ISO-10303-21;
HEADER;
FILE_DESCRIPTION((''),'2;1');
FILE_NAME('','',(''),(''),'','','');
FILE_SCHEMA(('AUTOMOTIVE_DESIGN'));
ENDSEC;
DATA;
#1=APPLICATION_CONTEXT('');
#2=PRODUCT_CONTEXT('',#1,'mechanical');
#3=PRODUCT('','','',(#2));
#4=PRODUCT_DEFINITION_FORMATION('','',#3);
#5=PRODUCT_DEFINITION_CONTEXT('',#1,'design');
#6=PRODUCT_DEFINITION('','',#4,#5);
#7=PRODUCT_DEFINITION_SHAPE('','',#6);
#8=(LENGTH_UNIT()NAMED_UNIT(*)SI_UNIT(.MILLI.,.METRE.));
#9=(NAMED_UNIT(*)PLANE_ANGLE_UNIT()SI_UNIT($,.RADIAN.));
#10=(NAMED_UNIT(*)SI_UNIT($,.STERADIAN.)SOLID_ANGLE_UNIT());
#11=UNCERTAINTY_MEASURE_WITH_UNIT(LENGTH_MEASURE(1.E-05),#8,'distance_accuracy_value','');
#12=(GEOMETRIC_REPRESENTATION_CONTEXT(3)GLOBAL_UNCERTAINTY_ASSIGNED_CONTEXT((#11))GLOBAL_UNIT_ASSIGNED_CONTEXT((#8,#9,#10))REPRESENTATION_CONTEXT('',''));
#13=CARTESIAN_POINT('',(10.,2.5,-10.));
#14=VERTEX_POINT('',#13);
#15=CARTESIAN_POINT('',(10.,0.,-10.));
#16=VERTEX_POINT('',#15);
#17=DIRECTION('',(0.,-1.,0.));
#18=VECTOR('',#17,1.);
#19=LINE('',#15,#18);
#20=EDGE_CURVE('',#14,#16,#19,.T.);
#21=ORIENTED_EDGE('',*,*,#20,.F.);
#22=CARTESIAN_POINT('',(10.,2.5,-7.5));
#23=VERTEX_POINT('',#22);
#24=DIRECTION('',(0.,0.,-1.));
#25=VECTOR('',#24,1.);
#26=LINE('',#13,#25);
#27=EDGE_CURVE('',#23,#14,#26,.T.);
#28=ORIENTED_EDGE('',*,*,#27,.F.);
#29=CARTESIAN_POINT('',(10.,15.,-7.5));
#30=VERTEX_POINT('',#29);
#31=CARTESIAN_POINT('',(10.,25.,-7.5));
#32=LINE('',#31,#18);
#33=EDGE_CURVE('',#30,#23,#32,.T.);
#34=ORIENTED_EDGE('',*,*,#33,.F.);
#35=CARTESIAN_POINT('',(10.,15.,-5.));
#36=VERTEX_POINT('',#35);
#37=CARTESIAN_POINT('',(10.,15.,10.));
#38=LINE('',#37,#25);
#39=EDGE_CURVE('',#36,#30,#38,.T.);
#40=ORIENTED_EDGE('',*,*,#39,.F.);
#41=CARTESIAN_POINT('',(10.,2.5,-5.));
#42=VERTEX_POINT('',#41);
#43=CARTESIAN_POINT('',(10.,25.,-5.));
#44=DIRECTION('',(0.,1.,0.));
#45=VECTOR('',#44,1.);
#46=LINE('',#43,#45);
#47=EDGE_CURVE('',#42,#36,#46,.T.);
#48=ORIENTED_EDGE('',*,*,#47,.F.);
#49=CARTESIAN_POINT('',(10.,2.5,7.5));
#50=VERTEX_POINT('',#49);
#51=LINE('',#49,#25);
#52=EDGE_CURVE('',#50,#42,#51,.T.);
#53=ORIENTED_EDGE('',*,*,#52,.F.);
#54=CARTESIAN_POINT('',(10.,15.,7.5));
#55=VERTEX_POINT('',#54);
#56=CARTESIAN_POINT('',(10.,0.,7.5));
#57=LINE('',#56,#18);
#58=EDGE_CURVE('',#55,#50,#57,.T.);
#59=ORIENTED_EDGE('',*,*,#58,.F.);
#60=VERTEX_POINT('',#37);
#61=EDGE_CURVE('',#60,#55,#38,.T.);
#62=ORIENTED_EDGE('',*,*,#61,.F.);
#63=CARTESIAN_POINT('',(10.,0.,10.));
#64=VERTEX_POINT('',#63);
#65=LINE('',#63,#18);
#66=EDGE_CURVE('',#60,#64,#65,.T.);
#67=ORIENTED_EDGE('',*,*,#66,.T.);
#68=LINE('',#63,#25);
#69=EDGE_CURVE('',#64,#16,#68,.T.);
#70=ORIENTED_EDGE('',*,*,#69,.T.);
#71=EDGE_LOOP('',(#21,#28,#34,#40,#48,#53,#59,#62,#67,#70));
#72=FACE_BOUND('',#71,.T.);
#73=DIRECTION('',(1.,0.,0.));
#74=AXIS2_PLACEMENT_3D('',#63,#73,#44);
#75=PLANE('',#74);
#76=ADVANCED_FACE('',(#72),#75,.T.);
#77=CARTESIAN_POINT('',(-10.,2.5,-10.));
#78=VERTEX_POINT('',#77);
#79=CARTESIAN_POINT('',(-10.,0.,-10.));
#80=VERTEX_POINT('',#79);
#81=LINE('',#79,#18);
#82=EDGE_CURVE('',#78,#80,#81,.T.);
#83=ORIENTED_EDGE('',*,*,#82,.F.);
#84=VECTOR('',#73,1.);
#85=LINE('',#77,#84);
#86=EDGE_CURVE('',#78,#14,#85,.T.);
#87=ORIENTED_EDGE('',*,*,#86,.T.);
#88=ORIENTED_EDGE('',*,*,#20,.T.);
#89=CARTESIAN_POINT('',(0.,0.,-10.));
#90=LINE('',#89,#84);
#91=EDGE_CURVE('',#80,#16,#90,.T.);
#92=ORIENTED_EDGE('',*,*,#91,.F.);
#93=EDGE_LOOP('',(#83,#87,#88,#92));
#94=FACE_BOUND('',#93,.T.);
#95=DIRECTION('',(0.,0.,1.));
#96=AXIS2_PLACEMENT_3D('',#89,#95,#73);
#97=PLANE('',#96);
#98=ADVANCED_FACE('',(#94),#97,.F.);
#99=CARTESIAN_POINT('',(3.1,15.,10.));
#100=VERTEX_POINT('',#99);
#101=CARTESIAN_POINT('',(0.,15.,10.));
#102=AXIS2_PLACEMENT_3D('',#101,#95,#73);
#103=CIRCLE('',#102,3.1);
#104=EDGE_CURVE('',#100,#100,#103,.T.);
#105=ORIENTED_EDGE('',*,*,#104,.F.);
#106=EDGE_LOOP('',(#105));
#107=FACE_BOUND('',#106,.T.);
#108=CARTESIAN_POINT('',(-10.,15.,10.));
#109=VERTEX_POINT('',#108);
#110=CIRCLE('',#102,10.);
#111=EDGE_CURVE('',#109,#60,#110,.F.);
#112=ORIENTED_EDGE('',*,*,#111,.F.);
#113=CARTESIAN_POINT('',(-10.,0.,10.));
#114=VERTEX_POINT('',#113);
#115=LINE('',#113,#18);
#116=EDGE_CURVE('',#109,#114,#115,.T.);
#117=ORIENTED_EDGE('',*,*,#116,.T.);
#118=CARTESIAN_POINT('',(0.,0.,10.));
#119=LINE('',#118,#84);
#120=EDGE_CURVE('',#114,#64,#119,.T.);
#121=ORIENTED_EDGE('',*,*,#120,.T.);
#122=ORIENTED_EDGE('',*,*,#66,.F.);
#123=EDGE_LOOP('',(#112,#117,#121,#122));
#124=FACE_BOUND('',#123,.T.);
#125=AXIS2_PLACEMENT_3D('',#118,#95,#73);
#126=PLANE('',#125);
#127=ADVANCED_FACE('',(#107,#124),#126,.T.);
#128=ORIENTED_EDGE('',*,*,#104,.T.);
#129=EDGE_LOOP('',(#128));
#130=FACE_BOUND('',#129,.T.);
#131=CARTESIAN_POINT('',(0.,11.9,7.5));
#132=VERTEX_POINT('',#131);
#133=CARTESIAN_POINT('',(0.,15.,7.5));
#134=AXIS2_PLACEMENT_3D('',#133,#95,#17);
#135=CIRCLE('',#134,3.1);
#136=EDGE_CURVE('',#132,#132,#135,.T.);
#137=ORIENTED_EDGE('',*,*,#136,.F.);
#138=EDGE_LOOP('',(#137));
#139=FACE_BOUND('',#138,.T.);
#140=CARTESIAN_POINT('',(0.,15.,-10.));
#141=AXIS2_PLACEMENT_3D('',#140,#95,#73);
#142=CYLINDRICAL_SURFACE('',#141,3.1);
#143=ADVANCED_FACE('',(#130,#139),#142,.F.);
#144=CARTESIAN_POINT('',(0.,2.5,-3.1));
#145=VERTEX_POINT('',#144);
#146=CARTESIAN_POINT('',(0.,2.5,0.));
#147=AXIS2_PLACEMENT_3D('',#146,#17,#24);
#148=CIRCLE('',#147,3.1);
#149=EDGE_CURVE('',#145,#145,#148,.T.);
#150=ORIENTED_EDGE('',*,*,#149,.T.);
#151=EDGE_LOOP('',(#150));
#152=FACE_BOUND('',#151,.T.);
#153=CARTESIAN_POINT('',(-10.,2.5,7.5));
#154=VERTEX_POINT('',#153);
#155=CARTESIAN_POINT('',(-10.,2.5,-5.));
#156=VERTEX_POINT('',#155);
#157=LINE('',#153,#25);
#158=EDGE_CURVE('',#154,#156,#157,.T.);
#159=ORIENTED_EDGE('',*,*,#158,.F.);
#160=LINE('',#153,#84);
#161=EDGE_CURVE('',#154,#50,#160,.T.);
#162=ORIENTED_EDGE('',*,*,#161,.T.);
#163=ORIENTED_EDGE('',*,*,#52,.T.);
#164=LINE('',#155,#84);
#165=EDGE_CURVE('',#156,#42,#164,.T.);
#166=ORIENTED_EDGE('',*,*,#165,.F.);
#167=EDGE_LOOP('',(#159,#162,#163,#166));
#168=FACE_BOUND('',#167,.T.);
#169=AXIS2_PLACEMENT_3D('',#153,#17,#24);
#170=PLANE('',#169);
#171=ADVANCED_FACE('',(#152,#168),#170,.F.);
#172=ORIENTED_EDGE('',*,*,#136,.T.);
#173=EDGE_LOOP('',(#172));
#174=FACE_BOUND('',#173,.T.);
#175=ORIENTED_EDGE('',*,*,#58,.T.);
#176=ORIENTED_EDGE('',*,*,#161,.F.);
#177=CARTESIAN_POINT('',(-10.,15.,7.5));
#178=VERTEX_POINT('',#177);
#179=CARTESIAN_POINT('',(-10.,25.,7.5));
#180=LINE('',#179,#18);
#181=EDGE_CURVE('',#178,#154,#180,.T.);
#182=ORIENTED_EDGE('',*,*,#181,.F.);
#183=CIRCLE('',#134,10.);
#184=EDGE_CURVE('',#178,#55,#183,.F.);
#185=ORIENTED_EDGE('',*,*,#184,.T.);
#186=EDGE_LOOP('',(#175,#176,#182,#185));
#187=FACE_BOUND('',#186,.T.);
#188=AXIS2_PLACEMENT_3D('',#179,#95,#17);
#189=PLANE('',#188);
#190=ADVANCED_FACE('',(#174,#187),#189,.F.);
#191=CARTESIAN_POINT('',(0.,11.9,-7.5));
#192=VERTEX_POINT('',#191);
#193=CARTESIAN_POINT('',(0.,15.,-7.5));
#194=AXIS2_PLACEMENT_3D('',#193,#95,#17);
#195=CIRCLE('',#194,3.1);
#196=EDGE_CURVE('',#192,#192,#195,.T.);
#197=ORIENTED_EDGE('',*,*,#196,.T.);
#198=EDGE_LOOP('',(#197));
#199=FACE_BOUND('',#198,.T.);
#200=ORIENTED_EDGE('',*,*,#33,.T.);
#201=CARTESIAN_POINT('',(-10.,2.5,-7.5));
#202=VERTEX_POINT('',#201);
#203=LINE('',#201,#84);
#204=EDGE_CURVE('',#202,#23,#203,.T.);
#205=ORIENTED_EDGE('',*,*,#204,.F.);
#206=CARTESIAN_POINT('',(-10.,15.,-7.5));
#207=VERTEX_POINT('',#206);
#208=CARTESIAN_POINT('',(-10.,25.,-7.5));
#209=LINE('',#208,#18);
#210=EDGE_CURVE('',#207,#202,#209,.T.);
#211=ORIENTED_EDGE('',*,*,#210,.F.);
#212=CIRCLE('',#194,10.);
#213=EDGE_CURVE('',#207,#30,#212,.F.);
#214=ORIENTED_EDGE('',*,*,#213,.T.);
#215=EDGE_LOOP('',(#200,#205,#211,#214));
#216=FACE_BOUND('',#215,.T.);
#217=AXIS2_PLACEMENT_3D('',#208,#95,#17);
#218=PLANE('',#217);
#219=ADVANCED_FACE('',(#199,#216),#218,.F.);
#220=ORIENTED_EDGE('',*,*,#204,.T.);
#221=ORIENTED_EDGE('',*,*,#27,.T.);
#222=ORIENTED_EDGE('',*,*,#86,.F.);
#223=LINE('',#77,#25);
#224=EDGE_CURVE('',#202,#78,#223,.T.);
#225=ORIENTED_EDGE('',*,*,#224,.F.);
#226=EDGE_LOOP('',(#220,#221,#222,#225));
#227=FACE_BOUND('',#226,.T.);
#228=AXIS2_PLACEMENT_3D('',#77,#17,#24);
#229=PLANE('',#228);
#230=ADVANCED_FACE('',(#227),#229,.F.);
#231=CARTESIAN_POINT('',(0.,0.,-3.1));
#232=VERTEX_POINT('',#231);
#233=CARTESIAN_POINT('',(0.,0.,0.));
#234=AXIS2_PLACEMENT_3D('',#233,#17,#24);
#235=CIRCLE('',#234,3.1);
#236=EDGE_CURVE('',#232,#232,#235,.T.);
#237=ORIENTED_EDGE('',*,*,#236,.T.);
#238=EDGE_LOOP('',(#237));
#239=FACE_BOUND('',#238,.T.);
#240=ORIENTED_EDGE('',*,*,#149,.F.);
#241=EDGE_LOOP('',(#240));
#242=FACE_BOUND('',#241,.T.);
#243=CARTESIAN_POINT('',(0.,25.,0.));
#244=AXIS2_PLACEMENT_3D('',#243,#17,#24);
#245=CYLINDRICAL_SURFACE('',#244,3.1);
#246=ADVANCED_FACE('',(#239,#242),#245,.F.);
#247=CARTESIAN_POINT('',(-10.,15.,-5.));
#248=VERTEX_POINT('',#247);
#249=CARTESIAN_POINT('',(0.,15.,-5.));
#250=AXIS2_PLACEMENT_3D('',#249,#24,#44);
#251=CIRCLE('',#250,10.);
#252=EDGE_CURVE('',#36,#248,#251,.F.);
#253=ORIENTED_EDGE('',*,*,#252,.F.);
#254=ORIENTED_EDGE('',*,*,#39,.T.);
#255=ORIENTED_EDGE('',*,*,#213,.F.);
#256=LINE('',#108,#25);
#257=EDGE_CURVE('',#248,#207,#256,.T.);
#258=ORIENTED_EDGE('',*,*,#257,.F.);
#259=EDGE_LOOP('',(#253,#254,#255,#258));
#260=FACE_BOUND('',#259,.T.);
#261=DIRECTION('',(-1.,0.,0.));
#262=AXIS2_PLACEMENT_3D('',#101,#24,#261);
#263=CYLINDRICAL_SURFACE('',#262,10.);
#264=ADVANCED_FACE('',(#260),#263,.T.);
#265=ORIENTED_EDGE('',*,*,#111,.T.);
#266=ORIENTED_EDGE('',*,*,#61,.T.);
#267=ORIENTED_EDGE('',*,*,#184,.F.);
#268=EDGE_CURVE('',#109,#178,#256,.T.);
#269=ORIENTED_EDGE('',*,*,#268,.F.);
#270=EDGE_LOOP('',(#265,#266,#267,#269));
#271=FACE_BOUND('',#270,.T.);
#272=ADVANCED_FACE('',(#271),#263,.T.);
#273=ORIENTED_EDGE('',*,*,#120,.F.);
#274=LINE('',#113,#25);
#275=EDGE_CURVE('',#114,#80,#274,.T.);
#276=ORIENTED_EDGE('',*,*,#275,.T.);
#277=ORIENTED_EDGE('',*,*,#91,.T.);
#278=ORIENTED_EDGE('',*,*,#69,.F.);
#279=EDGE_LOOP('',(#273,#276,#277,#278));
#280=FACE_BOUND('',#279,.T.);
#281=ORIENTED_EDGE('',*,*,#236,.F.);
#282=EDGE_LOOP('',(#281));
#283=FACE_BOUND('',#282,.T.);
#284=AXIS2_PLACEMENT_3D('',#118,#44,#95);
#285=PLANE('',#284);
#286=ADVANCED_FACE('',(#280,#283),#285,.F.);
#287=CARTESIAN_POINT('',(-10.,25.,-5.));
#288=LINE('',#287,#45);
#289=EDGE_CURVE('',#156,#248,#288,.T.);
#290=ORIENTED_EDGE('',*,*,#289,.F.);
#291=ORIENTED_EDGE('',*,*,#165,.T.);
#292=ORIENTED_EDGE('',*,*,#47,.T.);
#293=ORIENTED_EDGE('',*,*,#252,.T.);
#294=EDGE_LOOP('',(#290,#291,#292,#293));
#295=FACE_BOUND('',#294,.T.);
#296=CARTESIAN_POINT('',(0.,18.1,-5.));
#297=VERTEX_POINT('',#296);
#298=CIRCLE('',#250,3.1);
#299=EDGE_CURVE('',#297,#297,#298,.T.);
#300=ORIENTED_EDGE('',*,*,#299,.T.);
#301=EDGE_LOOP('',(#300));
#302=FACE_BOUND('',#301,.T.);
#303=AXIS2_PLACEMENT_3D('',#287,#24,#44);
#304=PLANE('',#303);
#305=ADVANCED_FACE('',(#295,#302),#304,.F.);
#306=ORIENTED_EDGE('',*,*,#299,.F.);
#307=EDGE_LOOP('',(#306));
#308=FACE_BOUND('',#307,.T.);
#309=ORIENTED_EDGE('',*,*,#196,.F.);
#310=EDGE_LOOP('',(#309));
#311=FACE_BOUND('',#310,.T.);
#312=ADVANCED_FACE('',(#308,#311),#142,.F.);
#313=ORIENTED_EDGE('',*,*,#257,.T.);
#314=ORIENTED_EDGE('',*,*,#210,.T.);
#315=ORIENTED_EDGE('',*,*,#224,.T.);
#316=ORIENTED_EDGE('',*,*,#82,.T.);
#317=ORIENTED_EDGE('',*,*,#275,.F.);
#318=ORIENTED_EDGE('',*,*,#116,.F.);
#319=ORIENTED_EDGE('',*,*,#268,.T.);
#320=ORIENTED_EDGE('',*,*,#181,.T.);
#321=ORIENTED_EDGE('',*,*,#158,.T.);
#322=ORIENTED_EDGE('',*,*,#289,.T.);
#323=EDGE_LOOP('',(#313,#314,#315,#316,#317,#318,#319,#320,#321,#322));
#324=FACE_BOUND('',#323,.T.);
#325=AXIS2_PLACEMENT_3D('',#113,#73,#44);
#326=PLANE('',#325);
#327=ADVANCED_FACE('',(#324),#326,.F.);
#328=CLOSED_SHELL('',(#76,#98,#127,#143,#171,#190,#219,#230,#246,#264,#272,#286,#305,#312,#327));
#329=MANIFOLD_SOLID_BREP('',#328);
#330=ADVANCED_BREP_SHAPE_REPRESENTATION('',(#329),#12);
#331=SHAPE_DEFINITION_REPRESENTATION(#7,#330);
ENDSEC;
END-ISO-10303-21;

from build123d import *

# Parameters (mm, degrees)
SKETCH1_W               = 20
SKETCH1_H               = 15
BOSS_EXTRUDE1_DEPTH     = 10
CUT_EXTRUDE1_DEPTH      = 29.722813233
CUT_EXTRUDE1_DEPTH_BACK = 29.722813233
SKETCH2_W               = 12.5
SKETCH2_H               = 22.5
SKETCH2_W_2             = 2.5
CUT_EXTRUDE2_DEPTH      = 34.541019662
CUT_EXTRUDE2_DEPTH_BACK = 34.541019662
SKETCH3_R               = 3.1
SKETCH4_R               = 3.1
CUT_EXTRUDE3_DEPTH      = 29.722813233


with BuildPart() as part:
    # Sketch1 → Boss-Extrude1 (new, symmetric)
    with BuildSketch(Plane.XY):
        with BuildLine():
            ThreePointArc((-10, 15), (0, 25), (10, 15))
            Line((10, 15), (-10, 15))
        make_face()
        with Locations((0, 7.5)):
            Rectangle(SKETCH1_W, SKETCH1_H)
    extrude(amount=BOSS_EXTRUDE1_DEPTH, both=True)

    # Sketch2 → Cut-Extrude1 (cut, two sides: drawn at the far end of the back side and taken through both)
    with BuildSketch(Plane(origin=(0, 0, 0), x_dir=(0, 0, -1), z_dir=(1, 0, 0)).offset(-CUT_EXTRUDE1_DEPTH_BACK)):
        with Locations((-1.25, 13.75)):
            Rectangle(SKETCH2_W, SKETCH2_H)
        with Locations((8.75, 13.75)):
            Rectangle(SKETCH2_W_2, SKETCH2_H)
    extrude(amount=CUT_EXTRUDE1_DEPTH + CUT_EXTRUDE1_DEPTH_BACK, mode=Mode.SUBTRACT)

    # Sketch3 → Cut-Extrude2 (cut, two sides: drawn at the far end of the back side and taken through both)
    with BuildSketch(Plane.XY.offset(10).offset(-CUT_EXTRUDE2_DEPTH_BACK)):
        with Locations(Location((0, 15, 0), (0, 0, 90))):
            Circle(SKETCH3_R)
    extrude(amount=CUT_EXTRUDE2_DEPTH + CUT_EXTRUDE2_DEPTH_BACK, mode=Mode.SUBTRACT)

    # Sketch4 → Cut-Extrude3 (cut, through all)
    with BuildSketch(Plane.XZ):
        with Locations(Location((0, 0, 0), (0, 0, 270))):
            Circle(SKETCH4_R)
    extrude(amount=-CUT_EXTRUDE3_DEPTH, mode=Mode.SUBTRACT)


solid = part.part
